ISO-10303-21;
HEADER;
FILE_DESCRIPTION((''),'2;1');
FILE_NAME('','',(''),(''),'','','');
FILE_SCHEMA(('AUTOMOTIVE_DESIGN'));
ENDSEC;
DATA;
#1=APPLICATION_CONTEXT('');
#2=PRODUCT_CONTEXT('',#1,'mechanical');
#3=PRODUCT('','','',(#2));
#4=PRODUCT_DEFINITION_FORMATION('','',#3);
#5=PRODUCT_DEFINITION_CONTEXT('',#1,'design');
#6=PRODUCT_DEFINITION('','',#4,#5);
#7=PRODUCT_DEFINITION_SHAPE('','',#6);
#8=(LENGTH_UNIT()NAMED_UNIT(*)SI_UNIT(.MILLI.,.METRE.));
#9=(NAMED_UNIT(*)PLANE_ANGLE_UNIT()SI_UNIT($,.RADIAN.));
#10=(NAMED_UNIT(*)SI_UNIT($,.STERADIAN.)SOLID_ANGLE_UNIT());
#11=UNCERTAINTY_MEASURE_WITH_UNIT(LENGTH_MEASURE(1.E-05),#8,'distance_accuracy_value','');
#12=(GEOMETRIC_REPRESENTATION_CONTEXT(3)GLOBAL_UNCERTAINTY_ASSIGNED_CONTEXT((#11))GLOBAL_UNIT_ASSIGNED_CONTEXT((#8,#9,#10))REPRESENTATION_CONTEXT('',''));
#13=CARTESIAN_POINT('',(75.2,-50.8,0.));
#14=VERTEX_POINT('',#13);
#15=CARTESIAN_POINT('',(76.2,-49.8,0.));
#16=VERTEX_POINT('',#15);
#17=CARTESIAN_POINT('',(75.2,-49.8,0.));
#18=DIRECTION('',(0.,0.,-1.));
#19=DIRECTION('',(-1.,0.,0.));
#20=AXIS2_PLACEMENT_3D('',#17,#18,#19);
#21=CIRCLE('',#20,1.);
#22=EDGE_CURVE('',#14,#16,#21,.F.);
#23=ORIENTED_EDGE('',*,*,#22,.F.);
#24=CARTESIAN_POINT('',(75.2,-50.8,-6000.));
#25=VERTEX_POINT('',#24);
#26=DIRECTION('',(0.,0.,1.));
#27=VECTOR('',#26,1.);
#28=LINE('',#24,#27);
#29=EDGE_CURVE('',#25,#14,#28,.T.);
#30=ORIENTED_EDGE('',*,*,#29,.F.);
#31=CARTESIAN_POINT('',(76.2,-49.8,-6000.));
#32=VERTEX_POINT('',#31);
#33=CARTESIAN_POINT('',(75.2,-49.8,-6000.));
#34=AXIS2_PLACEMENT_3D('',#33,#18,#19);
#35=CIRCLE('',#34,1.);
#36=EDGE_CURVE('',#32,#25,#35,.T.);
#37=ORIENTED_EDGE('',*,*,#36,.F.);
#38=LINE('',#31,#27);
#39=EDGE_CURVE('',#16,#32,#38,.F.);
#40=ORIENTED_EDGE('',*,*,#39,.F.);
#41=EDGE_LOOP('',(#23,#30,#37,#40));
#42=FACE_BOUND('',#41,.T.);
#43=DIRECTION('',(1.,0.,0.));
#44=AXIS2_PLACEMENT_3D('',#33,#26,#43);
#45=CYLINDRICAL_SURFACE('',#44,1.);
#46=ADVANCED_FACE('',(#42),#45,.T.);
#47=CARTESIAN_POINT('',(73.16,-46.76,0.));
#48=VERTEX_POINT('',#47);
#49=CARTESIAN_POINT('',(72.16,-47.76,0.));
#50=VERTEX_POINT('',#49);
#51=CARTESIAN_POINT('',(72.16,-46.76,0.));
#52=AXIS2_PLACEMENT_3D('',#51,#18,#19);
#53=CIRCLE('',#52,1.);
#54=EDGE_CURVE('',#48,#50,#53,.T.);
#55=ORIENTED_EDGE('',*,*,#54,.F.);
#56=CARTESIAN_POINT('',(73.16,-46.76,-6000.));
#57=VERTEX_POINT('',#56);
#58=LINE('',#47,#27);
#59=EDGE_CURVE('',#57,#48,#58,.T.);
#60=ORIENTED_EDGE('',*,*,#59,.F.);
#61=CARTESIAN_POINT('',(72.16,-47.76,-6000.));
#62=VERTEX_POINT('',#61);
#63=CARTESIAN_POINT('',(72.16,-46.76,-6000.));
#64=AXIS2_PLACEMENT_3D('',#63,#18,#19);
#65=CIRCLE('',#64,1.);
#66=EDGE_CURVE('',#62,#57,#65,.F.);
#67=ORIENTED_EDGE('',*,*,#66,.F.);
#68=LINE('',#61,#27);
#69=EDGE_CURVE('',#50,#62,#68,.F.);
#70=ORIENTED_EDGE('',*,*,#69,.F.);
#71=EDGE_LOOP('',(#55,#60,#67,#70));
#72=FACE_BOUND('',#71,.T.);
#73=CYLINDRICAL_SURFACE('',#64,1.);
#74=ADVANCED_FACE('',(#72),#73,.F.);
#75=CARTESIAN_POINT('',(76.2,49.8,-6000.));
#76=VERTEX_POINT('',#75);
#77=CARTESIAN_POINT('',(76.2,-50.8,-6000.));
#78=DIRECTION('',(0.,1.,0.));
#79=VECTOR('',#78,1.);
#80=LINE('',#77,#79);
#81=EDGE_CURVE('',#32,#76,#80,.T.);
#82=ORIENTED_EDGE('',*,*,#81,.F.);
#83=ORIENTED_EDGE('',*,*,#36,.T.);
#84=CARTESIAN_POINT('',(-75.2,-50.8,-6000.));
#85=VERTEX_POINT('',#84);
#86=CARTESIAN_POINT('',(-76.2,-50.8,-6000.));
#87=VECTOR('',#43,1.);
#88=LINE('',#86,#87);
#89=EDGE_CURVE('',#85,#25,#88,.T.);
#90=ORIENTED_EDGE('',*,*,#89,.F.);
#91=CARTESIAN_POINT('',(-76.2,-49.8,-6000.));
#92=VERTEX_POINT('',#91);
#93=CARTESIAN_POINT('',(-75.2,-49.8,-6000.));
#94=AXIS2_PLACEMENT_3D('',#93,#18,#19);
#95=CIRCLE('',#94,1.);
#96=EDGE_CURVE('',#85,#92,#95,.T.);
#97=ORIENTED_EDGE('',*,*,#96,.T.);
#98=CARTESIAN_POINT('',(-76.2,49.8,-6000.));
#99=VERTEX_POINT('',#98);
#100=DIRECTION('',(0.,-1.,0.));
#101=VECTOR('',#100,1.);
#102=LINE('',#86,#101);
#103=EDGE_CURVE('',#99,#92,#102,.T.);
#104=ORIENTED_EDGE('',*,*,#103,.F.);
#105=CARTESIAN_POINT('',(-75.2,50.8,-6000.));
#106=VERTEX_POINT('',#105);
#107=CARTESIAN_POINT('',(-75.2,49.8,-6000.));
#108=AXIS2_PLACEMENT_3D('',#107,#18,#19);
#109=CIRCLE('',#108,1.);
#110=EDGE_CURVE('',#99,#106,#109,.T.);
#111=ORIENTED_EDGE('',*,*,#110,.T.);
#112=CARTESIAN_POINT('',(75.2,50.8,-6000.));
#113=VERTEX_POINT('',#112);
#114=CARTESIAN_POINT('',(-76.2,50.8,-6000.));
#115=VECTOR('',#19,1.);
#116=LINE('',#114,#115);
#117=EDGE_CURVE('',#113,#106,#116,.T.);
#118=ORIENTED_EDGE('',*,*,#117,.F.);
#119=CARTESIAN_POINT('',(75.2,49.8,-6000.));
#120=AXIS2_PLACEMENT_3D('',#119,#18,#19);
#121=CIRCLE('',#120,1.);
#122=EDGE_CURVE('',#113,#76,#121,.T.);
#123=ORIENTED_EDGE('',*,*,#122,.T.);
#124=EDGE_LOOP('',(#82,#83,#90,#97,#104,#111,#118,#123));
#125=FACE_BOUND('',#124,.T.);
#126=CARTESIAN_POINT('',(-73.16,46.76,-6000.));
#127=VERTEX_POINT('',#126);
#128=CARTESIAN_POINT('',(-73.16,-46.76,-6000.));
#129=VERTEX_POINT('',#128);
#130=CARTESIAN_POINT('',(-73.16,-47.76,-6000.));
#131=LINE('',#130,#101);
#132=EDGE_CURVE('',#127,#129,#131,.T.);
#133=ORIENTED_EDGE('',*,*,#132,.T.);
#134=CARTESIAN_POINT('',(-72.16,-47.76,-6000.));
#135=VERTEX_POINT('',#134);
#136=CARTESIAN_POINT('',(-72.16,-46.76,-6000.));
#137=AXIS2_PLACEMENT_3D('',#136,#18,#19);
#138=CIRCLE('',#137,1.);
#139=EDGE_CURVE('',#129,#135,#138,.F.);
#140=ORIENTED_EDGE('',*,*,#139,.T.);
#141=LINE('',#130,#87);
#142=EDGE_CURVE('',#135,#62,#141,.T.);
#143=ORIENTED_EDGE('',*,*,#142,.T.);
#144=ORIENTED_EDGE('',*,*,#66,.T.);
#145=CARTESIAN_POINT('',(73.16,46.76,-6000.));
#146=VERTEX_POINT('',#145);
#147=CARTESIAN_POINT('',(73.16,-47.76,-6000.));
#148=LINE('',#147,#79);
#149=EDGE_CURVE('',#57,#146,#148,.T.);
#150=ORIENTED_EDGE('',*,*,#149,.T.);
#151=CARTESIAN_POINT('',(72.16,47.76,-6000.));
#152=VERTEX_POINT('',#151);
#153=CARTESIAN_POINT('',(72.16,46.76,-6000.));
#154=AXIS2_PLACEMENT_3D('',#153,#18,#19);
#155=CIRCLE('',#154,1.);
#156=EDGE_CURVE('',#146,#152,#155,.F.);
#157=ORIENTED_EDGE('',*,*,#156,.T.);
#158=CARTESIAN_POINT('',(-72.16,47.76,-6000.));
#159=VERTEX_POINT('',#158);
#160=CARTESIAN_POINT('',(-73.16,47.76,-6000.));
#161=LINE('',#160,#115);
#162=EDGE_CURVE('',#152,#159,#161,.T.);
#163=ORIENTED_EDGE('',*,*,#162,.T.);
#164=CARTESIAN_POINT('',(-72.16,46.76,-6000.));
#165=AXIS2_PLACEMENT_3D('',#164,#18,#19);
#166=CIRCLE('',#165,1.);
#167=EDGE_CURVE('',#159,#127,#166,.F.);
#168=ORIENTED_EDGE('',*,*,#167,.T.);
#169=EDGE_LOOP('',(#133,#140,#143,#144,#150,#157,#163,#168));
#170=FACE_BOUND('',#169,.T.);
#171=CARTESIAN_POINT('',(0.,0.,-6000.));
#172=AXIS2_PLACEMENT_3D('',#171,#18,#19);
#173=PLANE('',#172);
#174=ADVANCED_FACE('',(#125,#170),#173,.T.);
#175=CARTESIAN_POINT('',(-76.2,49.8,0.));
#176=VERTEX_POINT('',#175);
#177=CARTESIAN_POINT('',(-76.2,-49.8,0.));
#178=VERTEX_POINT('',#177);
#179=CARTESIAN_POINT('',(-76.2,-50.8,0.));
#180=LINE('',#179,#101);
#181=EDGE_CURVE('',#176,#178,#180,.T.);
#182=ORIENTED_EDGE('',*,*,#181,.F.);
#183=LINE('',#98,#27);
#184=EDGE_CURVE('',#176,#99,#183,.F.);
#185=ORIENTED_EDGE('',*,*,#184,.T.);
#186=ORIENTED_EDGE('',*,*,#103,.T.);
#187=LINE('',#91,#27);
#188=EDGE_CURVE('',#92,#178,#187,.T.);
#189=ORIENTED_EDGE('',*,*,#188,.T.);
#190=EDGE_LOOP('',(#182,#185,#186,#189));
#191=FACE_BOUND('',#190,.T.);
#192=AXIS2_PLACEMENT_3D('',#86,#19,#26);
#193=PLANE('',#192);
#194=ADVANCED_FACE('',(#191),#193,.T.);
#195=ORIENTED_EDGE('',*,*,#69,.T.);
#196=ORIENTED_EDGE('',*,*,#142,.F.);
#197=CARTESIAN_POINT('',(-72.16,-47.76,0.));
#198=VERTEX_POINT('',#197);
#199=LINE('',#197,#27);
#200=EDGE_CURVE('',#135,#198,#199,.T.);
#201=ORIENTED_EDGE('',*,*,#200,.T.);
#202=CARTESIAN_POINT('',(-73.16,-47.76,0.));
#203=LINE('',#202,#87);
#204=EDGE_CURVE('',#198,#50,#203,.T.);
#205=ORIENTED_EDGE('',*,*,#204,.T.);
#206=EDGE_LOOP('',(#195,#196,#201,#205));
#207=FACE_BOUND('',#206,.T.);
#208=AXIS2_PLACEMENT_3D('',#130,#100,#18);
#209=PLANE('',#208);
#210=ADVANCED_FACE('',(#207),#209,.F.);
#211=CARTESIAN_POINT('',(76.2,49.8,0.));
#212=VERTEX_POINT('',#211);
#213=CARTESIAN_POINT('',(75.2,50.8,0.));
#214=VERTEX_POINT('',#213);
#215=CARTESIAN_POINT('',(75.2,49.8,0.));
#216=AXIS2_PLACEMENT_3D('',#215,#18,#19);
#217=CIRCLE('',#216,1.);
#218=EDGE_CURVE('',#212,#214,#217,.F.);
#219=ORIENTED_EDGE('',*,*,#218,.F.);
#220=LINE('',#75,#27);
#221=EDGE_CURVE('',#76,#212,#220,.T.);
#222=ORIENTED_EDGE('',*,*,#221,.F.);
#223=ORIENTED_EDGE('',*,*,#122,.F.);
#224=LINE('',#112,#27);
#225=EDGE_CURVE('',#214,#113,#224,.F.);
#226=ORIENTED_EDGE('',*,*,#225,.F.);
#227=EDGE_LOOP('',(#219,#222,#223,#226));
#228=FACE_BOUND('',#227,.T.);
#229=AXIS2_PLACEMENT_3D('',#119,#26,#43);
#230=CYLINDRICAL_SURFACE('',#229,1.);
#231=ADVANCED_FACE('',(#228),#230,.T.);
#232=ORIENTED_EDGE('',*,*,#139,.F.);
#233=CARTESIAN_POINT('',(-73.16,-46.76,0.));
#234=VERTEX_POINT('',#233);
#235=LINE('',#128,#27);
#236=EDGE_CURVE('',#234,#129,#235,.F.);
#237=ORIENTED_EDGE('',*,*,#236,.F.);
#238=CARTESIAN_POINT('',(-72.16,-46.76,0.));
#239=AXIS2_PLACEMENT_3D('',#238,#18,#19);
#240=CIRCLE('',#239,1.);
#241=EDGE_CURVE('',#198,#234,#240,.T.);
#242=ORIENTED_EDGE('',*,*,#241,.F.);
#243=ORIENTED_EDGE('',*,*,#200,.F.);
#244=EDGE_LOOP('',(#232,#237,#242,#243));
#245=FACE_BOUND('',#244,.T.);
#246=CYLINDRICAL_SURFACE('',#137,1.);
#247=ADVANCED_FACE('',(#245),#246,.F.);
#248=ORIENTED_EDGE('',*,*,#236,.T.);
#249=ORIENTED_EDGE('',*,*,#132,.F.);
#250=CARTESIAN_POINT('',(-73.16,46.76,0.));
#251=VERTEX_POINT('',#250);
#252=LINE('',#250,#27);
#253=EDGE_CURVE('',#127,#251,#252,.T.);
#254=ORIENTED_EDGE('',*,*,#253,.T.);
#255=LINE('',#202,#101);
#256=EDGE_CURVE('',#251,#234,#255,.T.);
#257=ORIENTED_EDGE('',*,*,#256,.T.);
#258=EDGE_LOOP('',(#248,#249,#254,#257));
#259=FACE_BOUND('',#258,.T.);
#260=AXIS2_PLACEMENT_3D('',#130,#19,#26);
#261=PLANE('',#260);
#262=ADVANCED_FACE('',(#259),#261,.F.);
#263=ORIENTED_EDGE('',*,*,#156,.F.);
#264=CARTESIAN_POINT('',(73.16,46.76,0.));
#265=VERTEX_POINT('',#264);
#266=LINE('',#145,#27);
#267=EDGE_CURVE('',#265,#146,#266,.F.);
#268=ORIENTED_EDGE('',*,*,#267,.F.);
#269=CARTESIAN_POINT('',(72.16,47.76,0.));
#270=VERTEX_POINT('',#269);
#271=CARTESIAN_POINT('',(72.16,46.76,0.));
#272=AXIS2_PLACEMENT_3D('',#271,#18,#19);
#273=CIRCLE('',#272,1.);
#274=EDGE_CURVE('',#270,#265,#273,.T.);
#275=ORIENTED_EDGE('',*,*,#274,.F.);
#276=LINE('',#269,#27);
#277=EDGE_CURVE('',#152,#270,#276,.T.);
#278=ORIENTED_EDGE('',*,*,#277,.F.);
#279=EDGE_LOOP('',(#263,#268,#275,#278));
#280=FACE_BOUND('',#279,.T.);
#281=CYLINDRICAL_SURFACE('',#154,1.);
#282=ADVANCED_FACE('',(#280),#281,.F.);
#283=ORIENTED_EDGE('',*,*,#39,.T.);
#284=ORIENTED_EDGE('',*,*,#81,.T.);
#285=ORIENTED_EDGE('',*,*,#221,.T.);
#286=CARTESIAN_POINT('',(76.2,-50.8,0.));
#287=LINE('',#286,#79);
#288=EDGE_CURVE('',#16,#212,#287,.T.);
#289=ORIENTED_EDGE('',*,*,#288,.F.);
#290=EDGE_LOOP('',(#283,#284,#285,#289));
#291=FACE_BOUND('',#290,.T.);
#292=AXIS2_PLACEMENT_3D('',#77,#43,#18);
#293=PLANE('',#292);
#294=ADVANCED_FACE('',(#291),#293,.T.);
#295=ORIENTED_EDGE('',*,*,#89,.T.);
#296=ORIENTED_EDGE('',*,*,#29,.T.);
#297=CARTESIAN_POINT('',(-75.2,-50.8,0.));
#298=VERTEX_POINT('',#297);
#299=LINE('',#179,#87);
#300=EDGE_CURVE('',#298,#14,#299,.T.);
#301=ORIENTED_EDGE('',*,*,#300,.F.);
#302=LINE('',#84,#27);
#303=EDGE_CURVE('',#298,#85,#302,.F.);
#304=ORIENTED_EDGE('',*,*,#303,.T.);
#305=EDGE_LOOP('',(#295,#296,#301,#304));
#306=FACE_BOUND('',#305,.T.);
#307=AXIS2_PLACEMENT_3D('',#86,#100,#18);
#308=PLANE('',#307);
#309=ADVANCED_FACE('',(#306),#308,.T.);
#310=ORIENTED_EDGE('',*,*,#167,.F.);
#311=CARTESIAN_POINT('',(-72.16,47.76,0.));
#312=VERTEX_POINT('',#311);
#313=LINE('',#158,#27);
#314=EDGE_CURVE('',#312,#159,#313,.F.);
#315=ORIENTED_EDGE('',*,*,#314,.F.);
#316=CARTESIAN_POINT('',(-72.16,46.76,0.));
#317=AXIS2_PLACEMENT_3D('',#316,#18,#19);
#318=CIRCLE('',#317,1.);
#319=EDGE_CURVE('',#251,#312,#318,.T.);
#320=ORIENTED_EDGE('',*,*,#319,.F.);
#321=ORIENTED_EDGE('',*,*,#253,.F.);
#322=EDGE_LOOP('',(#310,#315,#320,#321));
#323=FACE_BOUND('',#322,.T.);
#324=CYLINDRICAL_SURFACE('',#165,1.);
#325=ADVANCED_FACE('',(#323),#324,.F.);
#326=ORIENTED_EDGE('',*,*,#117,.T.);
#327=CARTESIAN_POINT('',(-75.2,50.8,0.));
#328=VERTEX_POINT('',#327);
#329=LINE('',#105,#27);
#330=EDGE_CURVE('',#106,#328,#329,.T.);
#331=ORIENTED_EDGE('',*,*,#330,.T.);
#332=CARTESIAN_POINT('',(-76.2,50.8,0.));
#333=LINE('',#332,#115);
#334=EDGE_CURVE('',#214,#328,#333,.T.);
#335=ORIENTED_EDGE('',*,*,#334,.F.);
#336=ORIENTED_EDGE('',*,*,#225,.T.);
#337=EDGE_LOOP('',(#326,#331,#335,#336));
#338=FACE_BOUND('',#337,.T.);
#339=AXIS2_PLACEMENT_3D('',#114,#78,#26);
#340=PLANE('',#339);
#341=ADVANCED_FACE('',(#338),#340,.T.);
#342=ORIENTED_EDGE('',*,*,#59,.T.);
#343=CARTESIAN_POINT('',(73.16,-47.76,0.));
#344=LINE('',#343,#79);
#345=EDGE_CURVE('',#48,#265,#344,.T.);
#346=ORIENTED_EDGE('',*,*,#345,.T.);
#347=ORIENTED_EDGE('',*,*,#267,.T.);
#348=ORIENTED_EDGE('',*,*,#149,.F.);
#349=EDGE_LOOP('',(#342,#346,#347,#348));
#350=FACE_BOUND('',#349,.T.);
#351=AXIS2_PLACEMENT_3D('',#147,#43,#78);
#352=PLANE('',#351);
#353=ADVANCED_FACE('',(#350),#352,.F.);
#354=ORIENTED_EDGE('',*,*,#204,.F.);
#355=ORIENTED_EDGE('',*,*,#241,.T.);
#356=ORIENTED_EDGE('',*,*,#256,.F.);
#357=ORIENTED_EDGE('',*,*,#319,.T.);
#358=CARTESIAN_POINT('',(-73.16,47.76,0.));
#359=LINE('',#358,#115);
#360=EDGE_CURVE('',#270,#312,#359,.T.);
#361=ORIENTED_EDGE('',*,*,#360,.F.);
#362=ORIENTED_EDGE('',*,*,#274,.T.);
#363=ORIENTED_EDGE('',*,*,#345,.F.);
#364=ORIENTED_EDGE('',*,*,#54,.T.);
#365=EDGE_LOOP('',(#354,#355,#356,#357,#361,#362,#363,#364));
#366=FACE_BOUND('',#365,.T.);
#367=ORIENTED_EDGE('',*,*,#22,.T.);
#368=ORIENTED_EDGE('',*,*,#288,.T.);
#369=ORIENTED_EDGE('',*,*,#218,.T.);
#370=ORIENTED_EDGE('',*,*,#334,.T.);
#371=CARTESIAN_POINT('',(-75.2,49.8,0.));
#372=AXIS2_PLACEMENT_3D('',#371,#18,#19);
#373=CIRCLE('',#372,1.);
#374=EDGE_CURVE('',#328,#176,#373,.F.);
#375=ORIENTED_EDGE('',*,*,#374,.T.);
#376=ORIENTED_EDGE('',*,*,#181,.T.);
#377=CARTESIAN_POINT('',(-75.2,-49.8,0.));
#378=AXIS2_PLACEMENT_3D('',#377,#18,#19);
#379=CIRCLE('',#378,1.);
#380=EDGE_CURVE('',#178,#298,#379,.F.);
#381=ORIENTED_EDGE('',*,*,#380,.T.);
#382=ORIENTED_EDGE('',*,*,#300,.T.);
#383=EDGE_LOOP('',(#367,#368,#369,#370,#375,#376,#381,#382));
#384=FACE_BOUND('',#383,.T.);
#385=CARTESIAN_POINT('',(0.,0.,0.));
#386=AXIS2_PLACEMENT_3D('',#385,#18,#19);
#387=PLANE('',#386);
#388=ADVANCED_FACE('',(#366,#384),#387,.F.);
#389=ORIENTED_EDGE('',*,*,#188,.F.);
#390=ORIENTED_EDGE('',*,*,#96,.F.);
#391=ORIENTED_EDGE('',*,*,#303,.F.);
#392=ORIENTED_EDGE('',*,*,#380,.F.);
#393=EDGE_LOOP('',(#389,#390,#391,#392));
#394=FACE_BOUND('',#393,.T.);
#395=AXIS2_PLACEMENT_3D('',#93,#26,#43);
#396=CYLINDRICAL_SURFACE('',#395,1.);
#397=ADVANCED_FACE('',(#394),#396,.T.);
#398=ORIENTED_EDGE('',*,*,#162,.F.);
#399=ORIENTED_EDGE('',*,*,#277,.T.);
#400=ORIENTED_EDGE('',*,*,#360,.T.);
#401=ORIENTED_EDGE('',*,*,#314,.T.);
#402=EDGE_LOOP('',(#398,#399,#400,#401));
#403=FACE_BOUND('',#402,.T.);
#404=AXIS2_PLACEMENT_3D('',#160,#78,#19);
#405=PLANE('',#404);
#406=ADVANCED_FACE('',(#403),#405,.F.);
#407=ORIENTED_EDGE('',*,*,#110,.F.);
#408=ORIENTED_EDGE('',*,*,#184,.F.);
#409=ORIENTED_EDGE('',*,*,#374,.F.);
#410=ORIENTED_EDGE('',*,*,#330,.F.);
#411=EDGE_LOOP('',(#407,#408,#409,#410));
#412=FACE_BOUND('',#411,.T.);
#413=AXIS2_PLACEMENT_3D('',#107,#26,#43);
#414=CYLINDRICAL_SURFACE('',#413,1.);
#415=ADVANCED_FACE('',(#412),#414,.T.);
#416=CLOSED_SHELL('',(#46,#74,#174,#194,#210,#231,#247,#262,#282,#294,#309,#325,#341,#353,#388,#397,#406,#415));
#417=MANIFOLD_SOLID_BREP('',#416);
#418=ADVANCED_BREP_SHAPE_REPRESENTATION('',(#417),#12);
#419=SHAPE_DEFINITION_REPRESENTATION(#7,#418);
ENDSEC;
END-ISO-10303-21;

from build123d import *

# Parameters (mm, degrees)
CROQUIS1_W              = 152.4
CROQUIS1_H              = 101.6
CROQUIS1_W_2            = 146.32
CROQUIS1_H_2            = 95.52
SALIENTE_EXTRUIR1_DEPTH = 6000
REDONDEO1_R             = 1


with BuildPart() as part:
    # Croquis1 → Saliente-Extruir1 (new body)
    with BuildSketch(Plane.XY):
        Rectangle(CROQUIS1_W, CROQUIS1_H)
        Rectangle(CROQUIS1_W_2, CROQUIS1_H_2, mode=Mode.SUBTRACT)
    extrude(amount=-SALIENTE_EXTRUIR1_DEPTH)

    # Redondeo1
    redondeo1_edges = [part.edges().sort_by_distance(p)[0] for p in [
        (73.16, -47.76, -3000),
        (-73.16, -47.76, -3000),
        (-73.16, 47.76, -3000),
        (73.16, 47.76, -3000),
        (76.2, -50.8, -3000),
        (-76.2, -50.8, -3000),
        (-76.2, 50.8, -3000),
        (76.2, 50.8, -3000),
    ]]
    fillet(redondeo1_edges, radius=REDONDEO1_R)


solid = part.part
